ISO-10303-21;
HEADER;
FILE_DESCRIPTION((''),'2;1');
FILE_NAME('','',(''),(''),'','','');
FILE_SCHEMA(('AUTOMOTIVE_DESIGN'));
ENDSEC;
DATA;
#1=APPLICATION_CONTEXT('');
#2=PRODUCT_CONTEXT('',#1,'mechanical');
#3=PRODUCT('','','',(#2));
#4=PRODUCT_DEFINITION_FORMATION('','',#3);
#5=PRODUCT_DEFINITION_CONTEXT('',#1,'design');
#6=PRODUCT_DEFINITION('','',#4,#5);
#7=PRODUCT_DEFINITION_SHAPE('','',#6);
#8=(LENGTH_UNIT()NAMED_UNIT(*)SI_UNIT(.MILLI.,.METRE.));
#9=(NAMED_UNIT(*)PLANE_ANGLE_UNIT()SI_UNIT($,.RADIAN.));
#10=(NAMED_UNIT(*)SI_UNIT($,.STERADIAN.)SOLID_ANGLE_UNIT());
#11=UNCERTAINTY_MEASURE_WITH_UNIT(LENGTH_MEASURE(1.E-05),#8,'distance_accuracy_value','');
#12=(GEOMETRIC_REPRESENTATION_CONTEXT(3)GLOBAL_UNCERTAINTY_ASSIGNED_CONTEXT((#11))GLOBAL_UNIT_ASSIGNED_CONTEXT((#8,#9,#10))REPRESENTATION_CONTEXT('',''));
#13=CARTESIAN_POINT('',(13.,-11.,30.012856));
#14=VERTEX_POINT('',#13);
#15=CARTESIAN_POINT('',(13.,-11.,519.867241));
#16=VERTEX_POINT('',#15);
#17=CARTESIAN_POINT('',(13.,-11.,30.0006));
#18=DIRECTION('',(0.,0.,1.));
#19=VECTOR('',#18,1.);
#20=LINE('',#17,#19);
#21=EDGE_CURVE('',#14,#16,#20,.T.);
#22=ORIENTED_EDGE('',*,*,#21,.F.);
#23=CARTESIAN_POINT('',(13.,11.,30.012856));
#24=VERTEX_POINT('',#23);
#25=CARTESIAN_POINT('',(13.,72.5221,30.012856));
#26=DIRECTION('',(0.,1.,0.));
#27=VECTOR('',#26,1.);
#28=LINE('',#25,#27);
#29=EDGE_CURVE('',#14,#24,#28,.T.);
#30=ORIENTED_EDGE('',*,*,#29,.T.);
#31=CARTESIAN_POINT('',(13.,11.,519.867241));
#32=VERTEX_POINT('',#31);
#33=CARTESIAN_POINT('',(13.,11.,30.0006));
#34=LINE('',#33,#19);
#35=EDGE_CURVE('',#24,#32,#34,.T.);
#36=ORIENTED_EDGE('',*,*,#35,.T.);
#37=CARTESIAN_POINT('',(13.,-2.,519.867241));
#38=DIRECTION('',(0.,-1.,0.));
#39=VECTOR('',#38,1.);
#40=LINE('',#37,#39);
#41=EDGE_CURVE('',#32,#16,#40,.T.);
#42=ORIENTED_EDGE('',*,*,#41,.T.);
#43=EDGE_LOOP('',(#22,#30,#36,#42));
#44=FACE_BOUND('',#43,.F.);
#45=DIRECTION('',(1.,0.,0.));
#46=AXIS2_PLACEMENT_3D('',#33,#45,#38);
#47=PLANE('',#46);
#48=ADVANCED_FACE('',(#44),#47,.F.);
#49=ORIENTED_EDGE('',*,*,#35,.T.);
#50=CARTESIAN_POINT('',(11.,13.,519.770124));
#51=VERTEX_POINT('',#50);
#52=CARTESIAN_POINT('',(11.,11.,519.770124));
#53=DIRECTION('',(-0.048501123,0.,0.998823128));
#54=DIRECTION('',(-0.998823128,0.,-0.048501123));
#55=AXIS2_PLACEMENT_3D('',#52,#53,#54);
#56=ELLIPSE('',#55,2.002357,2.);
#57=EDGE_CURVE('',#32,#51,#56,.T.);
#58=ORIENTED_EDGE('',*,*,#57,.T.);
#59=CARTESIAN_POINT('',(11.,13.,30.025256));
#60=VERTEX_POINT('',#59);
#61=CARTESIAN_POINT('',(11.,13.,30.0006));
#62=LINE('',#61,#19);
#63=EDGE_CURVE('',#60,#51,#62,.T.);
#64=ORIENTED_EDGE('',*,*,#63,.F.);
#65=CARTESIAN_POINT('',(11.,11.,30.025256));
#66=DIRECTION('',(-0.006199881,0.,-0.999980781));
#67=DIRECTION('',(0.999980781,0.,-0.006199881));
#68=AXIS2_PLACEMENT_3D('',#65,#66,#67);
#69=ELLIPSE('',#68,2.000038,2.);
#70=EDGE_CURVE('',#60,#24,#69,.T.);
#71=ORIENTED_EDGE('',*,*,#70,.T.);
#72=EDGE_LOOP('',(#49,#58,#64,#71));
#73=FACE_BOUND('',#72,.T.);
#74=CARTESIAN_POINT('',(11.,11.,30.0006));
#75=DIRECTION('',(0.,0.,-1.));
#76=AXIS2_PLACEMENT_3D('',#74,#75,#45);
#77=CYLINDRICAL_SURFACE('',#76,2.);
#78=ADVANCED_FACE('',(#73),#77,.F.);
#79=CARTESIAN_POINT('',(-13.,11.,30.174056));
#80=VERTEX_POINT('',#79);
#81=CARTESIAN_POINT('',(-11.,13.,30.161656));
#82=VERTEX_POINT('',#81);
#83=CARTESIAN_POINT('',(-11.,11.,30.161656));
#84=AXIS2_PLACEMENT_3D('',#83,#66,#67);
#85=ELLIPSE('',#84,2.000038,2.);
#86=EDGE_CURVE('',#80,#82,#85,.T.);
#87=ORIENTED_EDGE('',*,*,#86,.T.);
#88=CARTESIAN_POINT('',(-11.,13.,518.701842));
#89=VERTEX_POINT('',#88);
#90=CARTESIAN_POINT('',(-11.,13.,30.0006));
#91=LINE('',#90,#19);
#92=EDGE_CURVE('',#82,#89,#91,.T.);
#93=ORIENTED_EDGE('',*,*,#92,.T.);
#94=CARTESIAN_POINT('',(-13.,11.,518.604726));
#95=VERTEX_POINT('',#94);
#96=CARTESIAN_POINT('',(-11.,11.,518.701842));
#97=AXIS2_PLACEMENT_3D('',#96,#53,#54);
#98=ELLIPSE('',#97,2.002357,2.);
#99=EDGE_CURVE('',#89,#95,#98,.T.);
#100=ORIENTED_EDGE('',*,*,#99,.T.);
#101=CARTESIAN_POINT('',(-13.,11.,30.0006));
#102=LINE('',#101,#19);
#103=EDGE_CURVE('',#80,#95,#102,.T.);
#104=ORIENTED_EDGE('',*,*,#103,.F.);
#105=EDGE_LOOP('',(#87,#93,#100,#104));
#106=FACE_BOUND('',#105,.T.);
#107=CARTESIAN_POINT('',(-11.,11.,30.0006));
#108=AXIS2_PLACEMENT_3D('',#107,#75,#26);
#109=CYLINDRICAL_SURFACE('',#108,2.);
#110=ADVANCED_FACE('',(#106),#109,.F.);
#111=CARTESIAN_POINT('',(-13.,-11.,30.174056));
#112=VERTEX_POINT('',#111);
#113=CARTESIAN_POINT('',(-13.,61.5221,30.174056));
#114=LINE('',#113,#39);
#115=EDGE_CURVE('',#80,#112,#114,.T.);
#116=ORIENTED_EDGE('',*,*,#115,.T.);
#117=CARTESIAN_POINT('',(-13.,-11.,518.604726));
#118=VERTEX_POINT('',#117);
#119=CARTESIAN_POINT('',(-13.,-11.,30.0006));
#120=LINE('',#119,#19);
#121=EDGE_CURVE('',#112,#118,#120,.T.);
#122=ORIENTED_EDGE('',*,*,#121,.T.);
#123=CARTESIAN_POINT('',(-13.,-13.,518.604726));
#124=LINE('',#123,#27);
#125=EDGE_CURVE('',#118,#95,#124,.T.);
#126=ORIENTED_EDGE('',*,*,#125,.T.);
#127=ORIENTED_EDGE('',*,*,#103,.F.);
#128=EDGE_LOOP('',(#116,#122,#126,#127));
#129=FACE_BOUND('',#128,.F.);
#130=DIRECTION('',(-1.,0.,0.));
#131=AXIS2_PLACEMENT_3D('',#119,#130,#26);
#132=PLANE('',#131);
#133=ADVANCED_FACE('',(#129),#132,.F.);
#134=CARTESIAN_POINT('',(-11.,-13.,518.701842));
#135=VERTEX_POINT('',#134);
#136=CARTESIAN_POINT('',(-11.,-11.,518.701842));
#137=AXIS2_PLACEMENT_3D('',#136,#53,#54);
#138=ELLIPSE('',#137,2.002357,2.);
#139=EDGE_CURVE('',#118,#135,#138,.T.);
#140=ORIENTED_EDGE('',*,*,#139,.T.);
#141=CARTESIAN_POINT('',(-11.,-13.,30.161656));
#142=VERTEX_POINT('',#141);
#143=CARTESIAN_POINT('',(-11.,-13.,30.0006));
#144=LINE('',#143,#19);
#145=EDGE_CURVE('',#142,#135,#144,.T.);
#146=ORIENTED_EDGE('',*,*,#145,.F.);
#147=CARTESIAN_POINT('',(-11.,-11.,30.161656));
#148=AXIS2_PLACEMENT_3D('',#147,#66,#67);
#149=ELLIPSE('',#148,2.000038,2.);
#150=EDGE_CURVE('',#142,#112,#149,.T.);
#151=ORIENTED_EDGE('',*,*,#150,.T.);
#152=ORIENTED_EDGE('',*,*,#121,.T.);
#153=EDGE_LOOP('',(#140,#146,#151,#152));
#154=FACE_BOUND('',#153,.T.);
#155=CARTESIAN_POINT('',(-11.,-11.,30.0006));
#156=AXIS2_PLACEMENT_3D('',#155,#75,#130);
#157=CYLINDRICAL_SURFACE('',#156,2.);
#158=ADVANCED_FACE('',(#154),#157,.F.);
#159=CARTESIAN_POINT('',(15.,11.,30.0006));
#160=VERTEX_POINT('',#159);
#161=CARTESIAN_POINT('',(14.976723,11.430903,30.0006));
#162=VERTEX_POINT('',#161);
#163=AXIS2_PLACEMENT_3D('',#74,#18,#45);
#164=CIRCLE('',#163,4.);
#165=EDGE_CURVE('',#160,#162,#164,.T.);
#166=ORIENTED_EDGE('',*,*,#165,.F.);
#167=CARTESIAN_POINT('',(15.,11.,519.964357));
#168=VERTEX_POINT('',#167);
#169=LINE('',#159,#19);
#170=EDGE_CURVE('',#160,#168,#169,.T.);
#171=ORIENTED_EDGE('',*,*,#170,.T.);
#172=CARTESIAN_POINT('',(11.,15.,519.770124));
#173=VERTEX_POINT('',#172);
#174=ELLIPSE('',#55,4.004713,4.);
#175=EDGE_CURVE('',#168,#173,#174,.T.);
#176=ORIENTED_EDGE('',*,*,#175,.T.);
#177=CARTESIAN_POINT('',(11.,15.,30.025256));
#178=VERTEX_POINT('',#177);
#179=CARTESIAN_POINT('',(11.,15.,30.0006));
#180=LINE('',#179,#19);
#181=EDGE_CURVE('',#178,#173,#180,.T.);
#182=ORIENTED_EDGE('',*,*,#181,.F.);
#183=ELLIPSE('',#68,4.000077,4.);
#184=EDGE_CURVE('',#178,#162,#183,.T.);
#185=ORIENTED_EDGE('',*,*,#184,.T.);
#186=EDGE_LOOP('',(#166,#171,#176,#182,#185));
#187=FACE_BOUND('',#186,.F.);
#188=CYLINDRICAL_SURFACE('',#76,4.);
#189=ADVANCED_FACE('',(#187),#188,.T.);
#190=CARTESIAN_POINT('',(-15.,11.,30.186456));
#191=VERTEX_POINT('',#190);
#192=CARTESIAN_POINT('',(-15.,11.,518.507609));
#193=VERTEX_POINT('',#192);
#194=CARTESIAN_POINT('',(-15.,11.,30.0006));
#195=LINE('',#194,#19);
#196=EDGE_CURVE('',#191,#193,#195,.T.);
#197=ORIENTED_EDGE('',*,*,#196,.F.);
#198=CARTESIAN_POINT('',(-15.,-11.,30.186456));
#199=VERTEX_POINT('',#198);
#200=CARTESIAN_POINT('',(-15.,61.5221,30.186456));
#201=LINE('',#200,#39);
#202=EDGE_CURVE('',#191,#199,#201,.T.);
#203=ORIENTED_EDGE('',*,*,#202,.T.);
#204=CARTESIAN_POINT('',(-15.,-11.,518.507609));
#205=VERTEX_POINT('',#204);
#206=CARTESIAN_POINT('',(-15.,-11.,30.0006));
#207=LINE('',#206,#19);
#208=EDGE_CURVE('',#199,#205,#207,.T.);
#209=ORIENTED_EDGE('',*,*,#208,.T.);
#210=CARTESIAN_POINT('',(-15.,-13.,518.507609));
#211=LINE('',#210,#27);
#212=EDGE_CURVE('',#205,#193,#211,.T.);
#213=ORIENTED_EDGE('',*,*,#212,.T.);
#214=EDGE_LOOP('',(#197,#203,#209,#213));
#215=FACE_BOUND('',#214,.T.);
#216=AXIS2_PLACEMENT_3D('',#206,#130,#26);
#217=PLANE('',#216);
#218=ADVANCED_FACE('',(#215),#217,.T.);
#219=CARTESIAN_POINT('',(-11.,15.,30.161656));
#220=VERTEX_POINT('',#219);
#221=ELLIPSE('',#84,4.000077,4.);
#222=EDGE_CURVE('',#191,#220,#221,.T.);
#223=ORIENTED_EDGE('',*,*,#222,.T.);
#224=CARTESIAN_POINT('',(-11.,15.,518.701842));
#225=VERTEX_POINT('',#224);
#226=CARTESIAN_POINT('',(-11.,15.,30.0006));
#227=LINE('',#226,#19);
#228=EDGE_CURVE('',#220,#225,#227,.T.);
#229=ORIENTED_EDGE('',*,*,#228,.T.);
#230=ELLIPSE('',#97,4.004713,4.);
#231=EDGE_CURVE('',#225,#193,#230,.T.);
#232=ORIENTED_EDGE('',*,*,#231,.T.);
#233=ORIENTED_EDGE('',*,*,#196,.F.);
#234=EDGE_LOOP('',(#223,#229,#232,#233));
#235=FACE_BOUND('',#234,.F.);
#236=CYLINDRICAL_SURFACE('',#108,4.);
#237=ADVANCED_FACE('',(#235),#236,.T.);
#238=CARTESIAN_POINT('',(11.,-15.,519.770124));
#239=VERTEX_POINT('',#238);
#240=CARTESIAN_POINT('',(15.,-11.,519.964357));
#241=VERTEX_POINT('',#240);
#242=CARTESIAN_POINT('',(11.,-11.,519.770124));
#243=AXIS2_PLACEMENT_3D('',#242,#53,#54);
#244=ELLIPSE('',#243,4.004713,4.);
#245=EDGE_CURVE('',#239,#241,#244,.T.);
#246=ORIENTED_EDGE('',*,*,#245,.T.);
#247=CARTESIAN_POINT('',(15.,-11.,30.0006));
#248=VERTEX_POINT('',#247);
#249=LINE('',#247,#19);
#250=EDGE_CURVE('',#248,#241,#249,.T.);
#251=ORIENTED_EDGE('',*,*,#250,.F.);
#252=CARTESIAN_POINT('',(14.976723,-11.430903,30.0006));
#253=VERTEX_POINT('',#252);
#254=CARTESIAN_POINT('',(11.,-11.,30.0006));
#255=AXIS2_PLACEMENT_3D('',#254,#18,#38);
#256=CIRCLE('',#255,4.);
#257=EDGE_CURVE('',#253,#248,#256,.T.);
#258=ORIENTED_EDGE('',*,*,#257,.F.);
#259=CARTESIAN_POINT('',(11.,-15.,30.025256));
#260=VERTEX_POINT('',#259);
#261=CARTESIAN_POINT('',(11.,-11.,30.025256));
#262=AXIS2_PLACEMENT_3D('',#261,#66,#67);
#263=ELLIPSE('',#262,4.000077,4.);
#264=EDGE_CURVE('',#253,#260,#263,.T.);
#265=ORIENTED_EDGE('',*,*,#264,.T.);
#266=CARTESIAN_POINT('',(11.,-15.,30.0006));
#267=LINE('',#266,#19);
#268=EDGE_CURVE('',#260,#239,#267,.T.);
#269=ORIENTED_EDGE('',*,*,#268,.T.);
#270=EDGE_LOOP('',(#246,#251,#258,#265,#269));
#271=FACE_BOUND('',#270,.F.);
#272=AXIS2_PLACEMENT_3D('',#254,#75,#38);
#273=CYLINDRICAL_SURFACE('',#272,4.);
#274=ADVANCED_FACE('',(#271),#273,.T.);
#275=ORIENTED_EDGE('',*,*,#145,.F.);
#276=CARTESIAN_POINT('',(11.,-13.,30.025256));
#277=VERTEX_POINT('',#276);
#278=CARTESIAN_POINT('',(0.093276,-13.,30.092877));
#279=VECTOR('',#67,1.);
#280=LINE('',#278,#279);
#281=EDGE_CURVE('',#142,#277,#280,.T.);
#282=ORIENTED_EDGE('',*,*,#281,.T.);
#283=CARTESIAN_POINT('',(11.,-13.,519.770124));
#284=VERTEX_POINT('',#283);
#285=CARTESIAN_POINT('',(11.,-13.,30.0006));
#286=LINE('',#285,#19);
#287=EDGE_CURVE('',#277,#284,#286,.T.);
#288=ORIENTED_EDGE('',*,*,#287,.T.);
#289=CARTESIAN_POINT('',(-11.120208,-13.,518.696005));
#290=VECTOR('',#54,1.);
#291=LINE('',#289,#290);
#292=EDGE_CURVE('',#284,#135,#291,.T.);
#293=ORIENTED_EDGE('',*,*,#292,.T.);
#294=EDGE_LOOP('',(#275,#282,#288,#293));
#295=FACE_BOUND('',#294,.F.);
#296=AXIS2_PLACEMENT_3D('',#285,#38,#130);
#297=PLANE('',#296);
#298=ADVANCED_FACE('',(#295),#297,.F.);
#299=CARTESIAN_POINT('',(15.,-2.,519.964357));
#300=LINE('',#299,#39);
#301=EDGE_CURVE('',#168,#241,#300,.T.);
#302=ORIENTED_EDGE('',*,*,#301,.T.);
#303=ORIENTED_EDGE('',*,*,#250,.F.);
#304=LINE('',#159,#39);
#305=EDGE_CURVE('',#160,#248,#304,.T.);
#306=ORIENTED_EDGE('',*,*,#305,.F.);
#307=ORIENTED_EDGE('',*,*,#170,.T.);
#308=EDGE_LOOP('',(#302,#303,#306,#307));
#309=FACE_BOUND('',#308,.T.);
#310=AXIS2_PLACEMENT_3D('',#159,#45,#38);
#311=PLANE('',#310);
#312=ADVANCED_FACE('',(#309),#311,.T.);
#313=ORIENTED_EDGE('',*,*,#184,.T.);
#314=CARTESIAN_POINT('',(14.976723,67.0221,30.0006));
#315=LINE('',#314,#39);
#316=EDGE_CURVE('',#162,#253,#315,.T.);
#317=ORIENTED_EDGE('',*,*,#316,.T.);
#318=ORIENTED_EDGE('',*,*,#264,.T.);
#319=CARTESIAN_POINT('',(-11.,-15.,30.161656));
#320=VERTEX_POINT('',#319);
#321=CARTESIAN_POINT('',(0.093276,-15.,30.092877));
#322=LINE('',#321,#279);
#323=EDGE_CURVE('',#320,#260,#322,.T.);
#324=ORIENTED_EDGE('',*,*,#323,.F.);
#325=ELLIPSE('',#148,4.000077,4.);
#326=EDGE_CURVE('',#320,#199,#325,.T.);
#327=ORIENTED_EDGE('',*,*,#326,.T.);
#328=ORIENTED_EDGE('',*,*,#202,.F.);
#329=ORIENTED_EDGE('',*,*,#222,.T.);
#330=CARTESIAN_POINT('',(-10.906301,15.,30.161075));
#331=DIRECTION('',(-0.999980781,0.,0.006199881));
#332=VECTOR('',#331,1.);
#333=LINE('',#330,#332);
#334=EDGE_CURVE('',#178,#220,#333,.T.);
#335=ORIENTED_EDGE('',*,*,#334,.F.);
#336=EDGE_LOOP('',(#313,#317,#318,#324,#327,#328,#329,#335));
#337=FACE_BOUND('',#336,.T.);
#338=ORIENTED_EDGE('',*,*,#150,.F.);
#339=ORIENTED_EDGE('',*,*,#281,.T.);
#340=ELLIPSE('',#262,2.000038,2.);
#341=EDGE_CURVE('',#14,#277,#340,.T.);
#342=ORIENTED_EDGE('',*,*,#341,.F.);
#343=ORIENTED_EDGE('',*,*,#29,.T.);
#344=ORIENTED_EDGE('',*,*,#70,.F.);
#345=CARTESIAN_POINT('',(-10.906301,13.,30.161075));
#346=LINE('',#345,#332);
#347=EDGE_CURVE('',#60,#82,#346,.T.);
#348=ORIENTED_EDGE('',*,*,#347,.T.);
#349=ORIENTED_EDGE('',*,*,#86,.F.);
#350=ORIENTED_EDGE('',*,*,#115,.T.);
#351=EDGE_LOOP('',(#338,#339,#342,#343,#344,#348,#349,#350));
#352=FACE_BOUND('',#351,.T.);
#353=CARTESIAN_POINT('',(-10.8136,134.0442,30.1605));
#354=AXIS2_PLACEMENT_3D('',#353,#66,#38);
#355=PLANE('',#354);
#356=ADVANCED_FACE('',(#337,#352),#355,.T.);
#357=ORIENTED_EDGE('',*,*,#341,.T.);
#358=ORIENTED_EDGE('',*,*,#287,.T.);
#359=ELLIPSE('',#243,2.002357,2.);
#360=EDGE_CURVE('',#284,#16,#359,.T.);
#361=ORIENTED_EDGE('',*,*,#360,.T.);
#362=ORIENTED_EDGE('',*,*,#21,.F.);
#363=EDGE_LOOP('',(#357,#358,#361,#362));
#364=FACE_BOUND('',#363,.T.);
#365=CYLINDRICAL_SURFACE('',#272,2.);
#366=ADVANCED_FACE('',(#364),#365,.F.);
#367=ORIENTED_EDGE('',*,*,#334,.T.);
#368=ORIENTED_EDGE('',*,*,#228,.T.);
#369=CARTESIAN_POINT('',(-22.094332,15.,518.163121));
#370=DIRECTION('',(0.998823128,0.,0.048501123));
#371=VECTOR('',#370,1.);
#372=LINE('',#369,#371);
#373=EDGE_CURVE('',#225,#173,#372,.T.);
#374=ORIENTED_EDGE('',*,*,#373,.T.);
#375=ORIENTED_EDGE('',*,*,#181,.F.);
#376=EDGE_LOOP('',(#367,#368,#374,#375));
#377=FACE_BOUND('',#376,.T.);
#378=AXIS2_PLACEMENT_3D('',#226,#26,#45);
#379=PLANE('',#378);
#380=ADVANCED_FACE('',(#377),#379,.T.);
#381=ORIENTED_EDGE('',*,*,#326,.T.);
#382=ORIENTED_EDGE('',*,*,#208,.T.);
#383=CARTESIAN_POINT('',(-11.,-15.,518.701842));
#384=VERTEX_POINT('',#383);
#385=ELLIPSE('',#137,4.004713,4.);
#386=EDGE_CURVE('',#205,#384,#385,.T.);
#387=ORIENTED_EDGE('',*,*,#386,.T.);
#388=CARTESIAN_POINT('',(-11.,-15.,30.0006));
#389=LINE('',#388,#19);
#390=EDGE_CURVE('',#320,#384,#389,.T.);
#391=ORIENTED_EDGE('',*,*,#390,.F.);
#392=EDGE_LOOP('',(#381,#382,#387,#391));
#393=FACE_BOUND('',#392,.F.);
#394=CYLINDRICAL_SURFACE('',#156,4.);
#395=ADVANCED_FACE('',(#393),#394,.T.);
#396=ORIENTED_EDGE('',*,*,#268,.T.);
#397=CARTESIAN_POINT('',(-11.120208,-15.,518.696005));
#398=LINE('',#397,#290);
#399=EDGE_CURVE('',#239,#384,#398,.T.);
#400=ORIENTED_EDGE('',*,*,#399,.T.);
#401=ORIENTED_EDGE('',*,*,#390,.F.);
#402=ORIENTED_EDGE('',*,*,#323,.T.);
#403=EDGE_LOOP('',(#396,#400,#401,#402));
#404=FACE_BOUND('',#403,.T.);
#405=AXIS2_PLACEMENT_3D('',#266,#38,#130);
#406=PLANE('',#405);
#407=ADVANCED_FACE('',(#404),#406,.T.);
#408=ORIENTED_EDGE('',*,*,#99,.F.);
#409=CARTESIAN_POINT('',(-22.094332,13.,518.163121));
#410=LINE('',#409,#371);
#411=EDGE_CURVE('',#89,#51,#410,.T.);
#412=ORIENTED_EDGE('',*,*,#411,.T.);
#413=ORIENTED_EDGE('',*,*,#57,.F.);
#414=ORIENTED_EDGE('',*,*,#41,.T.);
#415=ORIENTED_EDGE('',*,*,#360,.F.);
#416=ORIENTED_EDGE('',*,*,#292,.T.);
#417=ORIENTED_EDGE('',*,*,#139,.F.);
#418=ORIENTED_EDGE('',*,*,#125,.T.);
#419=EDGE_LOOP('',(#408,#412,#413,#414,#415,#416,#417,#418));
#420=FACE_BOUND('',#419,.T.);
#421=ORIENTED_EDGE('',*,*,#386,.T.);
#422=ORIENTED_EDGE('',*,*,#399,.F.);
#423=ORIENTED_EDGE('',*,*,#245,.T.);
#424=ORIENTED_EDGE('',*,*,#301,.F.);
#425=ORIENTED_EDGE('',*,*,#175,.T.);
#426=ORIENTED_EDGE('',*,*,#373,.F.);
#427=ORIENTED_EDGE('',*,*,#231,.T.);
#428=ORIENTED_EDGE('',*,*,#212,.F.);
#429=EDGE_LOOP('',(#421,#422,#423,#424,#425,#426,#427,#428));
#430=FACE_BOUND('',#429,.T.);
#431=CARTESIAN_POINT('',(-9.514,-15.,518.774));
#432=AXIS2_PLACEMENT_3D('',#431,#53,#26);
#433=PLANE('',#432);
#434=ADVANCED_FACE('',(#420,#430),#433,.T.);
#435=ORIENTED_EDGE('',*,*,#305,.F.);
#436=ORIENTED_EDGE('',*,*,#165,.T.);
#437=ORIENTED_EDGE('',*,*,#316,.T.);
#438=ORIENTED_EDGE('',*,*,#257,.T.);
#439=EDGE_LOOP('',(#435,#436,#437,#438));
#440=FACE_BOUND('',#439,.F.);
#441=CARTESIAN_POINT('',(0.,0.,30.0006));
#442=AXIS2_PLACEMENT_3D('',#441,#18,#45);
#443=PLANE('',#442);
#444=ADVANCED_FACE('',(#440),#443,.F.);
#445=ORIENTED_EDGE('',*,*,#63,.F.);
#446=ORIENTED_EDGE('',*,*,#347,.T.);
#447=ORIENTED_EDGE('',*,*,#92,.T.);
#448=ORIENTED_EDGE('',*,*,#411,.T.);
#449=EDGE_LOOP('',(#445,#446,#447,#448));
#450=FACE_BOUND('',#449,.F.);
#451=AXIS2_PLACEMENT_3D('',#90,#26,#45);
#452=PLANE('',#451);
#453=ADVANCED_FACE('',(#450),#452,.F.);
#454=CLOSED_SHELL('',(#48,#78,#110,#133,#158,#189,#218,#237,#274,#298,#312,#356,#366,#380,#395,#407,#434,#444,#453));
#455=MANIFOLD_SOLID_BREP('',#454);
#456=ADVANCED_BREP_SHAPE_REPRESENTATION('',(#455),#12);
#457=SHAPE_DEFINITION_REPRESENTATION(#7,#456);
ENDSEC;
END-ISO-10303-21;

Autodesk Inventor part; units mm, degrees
ref_plane "Plano inicial" through (0, 0, 30.0006) normal (0, 0, 1) x (1, 0, 0)
ref_plane "Plano final" through (0, 0, 519.9646) normal (0, 0, 1) x (1, 0, 0)
sketch "Esboço" plane through (0, 0, 0) normal (0, 0, 1) x (1, 0, 0)
  line L0 (-15, -11) -> (-15, 11)
  line L1 (-11, 15) -> (11, 15)
  line L2 (15, 11) -> (15, -11)
  line L3 (11, -15) -> (-11, -15)
  arc A0 (-15, -11) -> (-11, -15) centre (-11, -11) ccw
  arc A1 (15, 11) -> (11, 15) centre (11, 11) ccw
  arc A2 (-11, 15) -> (-15, 11) centre (-11, 11) ccw
  arc A3 (11, -15) -> (15, -11) centre (11, -11) ccw
  arc A4 (-11, 13) -> (-13, 11) centre (-11, 11) ccw
  line L4 (-11, 13) -> (11, 13)
  arc A5 (13, 11) -> (11, 13) centre (11, 11) ccw
  line L5 (13, 11) -> (13, -11)
  arc A6 (11, -13) -> (13, -11) centre (11, -11) ccw
  line L6 (11, -13) -> (-11, -13)
  arc A7 (-13, -11) -> (-11, -13) centre (-11, -11) ccw
  line L7 (-13, -11) -> (-13, 11)
  line L8 (0, 22.1598) -> (0, -22.1598) construction
  line L9 (-22.1598, 0) -> (22.1598, 0) construction
  dimension "d7" = 4
  dimension "d9" = 30
  dimension "d11" = 30
  dimension "d12" = 2
  dimension "d15" = 15
  dimension "d16" = 15
extrude "Corpo" add sketch "Esboço" along normal up to surface (489.9641 mm away) from surface at 30.0006
sketch "Sketch3" plane through (0, 0, 0) normal (0, 0, 1) x (1, 0, 0)
  line L0 (0, 0) -> (10, 0)
ref_plane "Work Plane3" through (0, 0, 0) normal (0, -1, 0) x (1, 0, 0)
sketch "Sketch4" plane through (0, 0, 0) normal (0, -1, 0) x (1, 0, 0)
  line L0 (-2, 30.0006) -> (12, 30.0006)
  line L1 (-2, 519.9646) -> (12, 519.9646)
  dimension "d18" = 489.9641
ref_plane "Plano de trabalho4" through (-9.514, -15, 518.774) normal (-0.0485, 0, 0.9988) x (0.9988, 0, 0.0485)
split "Dividir1" plane through (-9.514, -15, 518.774) removes the side toward (-0.0485, 0, 0.9988)
ref_plane "Plano de trabalho5" through (-10.8136, 134.0442, 30.1605) normal (-0.0062, 0, -1) x (-1, 0, 0.0062)
split "Dividir2" plane through (-10.8136, 134.0442, 30.1605) removes the side toward (-0.0062, 0, -1)
equation "\"d7\" = G_IR"
equation "\"d9\" = G_W"
equation "\"d11\" = G_H"
equation "\"d12\" = G_T"
equation "\"d15\" = 0.5 * d9"
equation "\"d16\" = 0.5 * d11"
equation "\"d3\" = G_L"
equation "\"G_W\" = 30"
equation "\"G_H\" = 30"
equation "\"G_T\" = 2"
equation "\"G_IR\" = 4"
equation "\"G_L\" = d18"
equation "\"G_OFFSET_START\" = -30.00058"
equation "\"G_OFFSET_END\" = -30.03536"
equation "\"d13\" = -G_OFFSET_START"
equation "\"d14\" = G_OFFSET_END + B_L"
equation "\"B_L\" = 550"
properties part number "ISO 10799-2 - 30x30x2 - 489,964" material "Aço, suave"
